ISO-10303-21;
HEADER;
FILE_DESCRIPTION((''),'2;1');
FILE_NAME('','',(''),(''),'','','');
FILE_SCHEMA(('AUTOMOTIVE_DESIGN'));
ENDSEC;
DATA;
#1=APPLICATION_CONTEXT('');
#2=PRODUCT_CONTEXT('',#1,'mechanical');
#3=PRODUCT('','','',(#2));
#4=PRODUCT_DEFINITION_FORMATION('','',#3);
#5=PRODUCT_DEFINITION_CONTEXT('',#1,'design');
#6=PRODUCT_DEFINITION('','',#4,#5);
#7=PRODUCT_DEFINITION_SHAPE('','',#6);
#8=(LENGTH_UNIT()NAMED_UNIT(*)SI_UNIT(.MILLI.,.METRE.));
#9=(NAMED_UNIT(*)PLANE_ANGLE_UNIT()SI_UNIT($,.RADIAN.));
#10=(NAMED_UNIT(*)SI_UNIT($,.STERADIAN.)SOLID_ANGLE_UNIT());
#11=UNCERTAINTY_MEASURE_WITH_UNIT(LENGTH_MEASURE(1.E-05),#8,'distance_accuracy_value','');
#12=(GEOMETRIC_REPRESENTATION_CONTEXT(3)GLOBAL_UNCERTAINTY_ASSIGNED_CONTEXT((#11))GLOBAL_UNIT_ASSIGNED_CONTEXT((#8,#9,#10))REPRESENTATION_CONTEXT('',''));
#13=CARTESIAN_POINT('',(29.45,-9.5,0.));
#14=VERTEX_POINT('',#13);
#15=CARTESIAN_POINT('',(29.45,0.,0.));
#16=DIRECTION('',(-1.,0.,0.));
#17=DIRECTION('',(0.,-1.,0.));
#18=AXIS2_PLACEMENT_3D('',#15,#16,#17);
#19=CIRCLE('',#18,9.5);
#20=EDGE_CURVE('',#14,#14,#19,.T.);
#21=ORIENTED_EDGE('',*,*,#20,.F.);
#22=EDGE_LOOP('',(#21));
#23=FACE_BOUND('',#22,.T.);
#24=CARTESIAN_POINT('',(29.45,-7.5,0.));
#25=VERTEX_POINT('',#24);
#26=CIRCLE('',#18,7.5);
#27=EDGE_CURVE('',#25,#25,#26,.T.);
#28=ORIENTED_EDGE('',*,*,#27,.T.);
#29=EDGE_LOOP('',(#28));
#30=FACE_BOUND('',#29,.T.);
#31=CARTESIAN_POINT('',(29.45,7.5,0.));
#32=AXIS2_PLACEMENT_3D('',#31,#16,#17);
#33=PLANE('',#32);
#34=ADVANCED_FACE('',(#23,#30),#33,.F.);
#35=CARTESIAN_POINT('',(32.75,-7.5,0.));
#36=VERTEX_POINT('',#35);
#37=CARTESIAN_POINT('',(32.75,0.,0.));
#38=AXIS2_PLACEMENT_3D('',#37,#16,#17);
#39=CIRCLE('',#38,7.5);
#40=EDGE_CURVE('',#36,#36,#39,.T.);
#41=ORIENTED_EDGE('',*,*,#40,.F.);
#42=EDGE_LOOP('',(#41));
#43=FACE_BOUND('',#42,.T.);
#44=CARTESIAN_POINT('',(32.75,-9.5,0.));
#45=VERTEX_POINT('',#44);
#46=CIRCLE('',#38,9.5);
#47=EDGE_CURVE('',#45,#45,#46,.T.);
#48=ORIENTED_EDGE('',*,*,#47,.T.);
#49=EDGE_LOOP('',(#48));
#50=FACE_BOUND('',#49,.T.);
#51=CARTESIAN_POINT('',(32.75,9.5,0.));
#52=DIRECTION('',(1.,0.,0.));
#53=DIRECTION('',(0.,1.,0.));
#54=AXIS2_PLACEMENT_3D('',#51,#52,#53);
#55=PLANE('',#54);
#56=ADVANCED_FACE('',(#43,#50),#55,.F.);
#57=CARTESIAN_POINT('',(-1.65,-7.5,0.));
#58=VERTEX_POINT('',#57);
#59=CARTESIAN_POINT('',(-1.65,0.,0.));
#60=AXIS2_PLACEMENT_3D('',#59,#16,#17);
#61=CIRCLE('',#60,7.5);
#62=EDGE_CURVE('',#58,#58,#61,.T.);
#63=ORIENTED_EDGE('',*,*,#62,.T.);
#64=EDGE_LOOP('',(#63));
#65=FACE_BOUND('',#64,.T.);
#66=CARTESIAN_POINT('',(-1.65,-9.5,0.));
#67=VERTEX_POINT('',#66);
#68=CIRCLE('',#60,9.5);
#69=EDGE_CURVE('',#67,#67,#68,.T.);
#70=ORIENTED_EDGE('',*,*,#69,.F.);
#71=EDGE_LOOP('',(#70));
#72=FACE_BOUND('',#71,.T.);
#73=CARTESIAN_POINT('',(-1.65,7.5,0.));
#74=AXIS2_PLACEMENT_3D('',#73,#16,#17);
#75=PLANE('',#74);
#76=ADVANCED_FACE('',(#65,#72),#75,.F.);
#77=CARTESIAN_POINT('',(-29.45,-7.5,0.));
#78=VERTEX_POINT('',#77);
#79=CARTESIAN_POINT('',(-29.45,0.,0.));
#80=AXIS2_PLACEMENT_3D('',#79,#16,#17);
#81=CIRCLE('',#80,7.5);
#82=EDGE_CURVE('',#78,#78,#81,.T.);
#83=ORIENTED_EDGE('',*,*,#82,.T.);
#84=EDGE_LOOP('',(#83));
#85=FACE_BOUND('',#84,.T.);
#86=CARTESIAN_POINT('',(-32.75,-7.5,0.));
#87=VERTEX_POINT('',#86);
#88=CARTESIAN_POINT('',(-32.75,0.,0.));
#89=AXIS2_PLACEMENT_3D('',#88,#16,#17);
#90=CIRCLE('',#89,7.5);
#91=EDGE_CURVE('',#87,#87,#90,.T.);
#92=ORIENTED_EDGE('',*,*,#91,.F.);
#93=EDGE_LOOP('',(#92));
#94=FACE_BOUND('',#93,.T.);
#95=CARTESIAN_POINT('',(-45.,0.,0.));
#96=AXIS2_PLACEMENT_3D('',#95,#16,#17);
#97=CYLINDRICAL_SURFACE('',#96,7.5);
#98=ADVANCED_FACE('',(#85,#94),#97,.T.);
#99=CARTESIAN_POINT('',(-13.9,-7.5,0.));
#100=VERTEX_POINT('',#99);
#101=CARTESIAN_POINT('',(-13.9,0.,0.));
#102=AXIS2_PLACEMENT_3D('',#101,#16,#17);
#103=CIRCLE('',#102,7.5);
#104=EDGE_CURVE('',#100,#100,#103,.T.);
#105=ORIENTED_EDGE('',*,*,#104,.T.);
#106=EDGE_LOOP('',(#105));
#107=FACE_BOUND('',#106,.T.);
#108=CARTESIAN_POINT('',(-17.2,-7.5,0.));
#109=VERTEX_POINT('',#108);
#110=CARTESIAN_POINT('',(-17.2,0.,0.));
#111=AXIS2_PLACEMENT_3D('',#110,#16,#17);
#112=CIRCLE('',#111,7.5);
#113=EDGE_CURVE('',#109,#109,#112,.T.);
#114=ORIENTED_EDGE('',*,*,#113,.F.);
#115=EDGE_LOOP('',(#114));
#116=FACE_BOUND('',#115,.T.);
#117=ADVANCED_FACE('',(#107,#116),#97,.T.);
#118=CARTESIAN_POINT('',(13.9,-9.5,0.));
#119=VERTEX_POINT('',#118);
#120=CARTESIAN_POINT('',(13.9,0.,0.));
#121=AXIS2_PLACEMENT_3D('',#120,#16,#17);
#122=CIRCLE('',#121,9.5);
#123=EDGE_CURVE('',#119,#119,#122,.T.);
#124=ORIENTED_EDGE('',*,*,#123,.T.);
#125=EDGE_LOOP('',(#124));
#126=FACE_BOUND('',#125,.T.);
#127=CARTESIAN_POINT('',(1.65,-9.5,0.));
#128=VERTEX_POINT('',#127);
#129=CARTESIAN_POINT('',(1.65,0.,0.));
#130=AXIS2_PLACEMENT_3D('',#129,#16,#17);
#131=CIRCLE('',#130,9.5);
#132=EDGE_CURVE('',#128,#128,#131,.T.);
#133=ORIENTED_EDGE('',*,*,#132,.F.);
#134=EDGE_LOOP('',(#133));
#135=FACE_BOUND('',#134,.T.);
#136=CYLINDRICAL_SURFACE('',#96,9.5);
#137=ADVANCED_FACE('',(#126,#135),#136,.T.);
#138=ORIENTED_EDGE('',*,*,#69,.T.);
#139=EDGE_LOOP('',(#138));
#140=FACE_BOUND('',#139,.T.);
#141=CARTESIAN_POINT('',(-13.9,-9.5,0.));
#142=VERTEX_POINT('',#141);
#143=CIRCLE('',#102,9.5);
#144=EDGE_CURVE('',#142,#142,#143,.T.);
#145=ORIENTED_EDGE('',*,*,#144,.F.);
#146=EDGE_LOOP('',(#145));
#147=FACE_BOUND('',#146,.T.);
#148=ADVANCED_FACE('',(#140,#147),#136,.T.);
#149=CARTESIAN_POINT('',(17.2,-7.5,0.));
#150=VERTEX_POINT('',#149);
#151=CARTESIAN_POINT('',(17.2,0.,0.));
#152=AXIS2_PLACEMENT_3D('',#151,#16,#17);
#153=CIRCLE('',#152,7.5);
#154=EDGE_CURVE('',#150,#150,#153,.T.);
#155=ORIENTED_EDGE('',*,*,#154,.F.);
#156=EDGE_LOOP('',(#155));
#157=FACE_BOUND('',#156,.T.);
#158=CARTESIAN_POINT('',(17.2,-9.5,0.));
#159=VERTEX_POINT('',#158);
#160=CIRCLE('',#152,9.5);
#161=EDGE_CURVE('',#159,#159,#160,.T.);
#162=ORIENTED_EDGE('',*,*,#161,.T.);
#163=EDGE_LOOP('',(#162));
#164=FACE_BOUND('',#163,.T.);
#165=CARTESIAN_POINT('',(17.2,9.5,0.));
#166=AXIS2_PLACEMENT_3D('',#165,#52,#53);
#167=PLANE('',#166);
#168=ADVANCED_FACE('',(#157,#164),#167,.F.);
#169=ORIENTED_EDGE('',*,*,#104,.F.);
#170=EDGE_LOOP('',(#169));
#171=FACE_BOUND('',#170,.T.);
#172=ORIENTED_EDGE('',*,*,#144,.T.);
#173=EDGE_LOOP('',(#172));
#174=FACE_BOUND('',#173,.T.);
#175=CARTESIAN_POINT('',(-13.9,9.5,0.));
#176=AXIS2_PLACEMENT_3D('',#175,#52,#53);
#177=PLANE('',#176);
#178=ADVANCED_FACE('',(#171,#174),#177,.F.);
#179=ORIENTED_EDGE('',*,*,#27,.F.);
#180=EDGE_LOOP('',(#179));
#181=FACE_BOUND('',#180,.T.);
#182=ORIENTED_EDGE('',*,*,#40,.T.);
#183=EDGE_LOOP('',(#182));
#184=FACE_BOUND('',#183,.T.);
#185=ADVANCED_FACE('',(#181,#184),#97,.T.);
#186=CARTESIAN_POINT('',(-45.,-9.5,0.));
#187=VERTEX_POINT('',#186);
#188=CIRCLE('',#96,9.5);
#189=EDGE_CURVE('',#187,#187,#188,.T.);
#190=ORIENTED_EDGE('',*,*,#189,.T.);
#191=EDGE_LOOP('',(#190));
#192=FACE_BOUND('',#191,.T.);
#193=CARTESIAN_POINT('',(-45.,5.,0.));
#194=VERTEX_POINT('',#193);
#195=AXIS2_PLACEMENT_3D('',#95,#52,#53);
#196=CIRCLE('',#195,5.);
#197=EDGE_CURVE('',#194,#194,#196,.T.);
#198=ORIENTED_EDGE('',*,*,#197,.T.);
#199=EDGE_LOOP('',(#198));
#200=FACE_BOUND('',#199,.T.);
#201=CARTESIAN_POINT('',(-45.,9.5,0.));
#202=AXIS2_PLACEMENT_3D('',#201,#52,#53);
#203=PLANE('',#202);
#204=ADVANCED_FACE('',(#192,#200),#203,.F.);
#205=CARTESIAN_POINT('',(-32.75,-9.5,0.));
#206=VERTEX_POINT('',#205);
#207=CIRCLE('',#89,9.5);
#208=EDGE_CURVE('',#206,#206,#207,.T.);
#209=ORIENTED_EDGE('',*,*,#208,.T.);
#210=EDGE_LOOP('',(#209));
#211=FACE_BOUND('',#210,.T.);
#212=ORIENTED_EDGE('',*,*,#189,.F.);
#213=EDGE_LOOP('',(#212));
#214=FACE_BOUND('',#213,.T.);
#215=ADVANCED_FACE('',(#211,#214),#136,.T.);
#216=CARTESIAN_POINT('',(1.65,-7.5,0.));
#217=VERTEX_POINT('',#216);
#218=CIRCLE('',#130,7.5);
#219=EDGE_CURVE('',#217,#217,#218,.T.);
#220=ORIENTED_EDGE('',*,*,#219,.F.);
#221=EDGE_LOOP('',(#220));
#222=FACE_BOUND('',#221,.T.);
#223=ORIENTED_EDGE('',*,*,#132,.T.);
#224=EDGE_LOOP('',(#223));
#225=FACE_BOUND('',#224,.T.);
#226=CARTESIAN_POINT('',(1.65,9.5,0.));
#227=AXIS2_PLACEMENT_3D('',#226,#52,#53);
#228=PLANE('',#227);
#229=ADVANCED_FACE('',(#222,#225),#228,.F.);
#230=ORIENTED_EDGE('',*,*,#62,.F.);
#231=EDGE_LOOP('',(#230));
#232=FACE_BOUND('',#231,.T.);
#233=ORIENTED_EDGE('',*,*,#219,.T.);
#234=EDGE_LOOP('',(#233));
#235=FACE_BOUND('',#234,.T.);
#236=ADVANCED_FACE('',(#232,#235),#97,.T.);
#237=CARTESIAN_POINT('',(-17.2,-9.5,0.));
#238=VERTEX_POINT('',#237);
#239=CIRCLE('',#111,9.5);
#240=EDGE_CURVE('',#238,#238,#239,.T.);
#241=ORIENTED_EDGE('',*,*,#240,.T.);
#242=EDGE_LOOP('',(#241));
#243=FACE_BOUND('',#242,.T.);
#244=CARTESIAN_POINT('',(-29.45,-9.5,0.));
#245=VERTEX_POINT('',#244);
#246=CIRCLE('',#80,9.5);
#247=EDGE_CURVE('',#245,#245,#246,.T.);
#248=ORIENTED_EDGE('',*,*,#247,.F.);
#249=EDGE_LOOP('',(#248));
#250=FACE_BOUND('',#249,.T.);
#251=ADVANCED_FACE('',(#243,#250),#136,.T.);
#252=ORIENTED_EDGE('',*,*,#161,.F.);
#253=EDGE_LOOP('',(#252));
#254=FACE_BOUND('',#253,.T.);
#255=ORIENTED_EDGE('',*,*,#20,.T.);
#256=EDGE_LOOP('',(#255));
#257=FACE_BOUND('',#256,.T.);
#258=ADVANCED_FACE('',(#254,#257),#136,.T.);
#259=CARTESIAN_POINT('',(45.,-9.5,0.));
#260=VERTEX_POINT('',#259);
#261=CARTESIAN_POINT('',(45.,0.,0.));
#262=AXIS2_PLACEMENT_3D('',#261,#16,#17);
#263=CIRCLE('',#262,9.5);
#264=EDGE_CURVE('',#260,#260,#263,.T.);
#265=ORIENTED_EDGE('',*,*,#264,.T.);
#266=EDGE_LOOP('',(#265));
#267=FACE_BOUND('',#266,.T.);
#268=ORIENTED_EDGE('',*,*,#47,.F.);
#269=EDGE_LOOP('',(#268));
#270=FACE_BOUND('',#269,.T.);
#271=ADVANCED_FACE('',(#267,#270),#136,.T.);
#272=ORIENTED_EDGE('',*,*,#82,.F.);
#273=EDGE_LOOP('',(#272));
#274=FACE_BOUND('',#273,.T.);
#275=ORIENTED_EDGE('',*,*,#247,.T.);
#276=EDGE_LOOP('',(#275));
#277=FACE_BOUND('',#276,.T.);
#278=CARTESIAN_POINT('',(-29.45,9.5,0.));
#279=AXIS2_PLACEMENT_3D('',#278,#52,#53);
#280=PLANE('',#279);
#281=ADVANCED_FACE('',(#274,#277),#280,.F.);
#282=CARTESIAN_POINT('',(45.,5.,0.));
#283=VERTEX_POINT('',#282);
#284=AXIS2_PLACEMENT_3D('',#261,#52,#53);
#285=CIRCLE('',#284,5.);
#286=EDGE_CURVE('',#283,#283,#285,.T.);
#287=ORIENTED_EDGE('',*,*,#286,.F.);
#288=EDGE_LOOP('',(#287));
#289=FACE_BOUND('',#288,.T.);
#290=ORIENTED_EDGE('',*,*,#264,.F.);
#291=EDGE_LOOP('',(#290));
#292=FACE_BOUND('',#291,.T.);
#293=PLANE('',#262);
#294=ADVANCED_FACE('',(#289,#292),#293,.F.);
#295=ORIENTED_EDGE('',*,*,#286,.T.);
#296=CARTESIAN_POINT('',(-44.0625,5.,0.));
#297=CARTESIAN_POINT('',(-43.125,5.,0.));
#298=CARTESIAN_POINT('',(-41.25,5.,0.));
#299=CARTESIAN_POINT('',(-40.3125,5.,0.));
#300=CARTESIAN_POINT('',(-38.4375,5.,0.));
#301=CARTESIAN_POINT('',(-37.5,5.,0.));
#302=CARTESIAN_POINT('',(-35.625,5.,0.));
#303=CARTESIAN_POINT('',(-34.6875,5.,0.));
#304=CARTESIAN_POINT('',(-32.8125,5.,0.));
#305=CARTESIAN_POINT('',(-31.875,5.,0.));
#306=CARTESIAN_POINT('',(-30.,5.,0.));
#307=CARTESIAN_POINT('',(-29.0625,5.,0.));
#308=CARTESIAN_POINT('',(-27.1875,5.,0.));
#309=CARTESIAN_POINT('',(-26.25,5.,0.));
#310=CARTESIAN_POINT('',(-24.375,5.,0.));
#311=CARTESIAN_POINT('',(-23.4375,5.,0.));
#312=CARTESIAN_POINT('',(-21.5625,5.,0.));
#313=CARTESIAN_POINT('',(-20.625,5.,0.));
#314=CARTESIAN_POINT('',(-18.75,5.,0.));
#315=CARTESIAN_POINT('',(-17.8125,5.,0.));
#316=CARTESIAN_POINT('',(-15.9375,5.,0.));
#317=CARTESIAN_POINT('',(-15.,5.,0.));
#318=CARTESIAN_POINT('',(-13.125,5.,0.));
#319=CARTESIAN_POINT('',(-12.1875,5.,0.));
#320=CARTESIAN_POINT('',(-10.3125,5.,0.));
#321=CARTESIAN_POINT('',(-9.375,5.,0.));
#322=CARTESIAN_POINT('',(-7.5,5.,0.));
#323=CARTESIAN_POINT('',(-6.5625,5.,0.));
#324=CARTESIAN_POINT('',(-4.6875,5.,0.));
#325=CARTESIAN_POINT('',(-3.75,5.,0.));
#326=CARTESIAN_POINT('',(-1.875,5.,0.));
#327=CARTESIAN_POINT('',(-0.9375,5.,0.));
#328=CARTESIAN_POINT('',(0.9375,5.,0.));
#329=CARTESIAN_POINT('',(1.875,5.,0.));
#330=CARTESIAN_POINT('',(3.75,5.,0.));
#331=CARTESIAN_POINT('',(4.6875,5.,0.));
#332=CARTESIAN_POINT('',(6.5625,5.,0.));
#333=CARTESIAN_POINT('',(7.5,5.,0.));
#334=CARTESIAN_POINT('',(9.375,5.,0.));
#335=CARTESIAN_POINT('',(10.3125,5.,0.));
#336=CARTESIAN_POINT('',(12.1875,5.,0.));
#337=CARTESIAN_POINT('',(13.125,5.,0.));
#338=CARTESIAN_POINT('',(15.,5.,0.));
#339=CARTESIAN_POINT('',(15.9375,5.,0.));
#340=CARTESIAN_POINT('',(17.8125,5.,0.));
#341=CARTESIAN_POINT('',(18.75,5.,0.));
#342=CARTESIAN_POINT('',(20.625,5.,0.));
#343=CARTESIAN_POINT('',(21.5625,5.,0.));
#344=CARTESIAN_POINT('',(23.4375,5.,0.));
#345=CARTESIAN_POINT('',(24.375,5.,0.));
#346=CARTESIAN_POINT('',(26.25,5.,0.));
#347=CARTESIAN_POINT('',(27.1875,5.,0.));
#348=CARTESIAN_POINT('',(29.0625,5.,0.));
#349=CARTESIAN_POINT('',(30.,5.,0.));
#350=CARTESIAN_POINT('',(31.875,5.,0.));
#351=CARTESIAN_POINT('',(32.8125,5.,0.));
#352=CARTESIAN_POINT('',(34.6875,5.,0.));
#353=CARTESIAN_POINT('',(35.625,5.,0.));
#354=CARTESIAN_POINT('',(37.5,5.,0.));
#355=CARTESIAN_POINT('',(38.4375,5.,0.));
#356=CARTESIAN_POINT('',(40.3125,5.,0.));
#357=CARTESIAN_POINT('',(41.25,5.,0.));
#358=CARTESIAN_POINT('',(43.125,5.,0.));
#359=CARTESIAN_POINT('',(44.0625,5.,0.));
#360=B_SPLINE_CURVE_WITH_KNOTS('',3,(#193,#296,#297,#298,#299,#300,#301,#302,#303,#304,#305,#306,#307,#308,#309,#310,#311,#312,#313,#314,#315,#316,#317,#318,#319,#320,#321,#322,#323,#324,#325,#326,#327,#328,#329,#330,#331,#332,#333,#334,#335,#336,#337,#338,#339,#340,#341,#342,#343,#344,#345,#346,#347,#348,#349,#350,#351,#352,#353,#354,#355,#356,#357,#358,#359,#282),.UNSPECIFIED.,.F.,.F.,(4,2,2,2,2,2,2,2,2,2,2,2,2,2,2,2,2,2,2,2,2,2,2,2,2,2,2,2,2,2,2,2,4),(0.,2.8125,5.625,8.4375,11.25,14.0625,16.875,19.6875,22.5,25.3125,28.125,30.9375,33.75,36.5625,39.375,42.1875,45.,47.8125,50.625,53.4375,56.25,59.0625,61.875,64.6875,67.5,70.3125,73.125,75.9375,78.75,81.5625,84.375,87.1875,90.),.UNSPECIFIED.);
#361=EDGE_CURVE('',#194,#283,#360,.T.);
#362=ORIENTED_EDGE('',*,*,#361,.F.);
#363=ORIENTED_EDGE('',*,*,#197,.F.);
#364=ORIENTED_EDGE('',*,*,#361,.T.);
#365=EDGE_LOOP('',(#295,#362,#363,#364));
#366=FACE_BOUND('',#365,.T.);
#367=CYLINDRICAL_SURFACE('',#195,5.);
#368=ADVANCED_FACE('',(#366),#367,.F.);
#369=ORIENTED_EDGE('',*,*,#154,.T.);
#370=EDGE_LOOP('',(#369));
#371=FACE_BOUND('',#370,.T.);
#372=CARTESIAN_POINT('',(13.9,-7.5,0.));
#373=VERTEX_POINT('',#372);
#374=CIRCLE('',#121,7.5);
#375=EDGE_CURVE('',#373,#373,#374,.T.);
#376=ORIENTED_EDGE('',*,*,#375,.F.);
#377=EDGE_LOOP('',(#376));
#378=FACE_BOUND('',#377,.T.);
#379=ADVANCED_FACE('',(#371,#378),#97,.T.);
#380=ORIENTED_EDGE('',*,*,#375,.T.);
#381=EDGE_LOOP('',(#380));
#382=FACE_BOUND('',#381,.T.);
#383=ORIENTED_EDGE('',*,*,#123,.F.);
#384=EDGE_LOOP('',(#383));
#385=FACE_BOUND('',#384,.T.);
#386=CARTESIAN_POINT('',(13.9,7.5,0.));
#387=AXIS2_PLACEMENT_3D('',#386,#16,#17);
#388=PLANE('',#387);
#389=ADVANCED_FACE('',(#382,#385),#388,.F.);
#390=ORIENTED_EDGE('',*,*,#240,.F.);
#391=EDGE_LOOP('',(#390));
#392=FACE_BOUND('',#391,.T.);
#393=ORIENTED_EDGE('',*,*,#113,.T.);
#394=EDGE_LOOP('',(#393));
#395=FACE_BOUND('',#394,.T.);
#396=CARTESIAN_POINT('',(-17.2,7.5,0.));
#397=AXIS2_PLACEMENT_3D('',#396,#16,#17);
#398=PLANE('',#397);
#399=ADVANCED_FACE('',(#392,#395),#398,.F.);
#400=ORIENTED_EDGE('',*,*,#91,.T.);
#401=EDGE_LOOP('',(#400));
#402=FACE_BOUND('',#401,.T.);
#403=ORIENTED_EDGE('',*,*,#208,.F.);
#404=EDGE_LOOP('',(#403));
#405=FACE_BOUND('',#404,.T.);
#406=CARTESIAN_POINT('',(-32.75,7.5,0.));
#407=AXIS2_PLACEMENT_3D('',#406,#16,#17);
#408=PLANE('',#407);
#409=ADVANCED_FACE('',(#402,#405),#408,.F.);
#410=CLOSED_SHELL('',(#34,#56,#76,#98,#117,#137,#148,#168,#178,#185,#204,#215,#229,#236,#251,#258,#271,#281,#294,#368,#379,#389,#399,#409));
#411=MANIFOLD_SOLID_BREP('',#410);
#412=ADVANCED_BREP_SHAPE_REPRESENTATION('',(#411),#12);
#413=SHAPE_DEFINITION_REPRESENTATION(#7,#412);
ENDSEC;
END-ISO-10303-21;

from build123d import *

# Parameters (mm, degrees)
SKETCH2_R          = 5
CUT_EXTRUDE1_DEPTH = 91.997252706


with BuildPart() as part:
    # Sketch1 → Revolve1 (revolve)
    with BuildSketch(Plane.XY, mode=Mode.PRIVATE) as revolve1_sk:
        Polygon((-45, 0), (45, 0), (45, 9.5), (32.75, 9.5), (32.75, 7.5), (29.45, 7.5), (29.45, 9.5), (17.2, 9.5), (17.2, 7.5), (13.9, 7.5), (13.9, 9.5), (1.65, 9.5), (1.65, 7.5), (-1.65, 7.5), (-1.65, 9.5), (-13.9, 9.5), (-13.9, 7.5), (-17.2, 7.5), (-17.2, 9.5), (-29.45, 9.5), (-29.45, 7.5), (-32.75, 7.5), (-32.75, 9.5), (-45, 9.5), align=None)
    revolve(revolve1_sk.sketch.rotate(Axis((-45, 0, 0), (1, 0, 0)), 180), axis=Axis((-45, 0, 0), (1, 0, 0)))

    # Sketch2 → Cut-Extrude1 (cut, through all)
    with BuildSketch(Plane(origin=(45, 0, 0), x_dir=(0, 0, -1), z_dir=(1, 0, 0))):
        with Locations(Location((0, 0, 0), (0, 0, 90))):
            Circle(SKETCH2_R)
    extrude(amount=-CUT_EXTRUDE1_DEPTH, mode=Mode.SUBTRACT)


solid = part.part
